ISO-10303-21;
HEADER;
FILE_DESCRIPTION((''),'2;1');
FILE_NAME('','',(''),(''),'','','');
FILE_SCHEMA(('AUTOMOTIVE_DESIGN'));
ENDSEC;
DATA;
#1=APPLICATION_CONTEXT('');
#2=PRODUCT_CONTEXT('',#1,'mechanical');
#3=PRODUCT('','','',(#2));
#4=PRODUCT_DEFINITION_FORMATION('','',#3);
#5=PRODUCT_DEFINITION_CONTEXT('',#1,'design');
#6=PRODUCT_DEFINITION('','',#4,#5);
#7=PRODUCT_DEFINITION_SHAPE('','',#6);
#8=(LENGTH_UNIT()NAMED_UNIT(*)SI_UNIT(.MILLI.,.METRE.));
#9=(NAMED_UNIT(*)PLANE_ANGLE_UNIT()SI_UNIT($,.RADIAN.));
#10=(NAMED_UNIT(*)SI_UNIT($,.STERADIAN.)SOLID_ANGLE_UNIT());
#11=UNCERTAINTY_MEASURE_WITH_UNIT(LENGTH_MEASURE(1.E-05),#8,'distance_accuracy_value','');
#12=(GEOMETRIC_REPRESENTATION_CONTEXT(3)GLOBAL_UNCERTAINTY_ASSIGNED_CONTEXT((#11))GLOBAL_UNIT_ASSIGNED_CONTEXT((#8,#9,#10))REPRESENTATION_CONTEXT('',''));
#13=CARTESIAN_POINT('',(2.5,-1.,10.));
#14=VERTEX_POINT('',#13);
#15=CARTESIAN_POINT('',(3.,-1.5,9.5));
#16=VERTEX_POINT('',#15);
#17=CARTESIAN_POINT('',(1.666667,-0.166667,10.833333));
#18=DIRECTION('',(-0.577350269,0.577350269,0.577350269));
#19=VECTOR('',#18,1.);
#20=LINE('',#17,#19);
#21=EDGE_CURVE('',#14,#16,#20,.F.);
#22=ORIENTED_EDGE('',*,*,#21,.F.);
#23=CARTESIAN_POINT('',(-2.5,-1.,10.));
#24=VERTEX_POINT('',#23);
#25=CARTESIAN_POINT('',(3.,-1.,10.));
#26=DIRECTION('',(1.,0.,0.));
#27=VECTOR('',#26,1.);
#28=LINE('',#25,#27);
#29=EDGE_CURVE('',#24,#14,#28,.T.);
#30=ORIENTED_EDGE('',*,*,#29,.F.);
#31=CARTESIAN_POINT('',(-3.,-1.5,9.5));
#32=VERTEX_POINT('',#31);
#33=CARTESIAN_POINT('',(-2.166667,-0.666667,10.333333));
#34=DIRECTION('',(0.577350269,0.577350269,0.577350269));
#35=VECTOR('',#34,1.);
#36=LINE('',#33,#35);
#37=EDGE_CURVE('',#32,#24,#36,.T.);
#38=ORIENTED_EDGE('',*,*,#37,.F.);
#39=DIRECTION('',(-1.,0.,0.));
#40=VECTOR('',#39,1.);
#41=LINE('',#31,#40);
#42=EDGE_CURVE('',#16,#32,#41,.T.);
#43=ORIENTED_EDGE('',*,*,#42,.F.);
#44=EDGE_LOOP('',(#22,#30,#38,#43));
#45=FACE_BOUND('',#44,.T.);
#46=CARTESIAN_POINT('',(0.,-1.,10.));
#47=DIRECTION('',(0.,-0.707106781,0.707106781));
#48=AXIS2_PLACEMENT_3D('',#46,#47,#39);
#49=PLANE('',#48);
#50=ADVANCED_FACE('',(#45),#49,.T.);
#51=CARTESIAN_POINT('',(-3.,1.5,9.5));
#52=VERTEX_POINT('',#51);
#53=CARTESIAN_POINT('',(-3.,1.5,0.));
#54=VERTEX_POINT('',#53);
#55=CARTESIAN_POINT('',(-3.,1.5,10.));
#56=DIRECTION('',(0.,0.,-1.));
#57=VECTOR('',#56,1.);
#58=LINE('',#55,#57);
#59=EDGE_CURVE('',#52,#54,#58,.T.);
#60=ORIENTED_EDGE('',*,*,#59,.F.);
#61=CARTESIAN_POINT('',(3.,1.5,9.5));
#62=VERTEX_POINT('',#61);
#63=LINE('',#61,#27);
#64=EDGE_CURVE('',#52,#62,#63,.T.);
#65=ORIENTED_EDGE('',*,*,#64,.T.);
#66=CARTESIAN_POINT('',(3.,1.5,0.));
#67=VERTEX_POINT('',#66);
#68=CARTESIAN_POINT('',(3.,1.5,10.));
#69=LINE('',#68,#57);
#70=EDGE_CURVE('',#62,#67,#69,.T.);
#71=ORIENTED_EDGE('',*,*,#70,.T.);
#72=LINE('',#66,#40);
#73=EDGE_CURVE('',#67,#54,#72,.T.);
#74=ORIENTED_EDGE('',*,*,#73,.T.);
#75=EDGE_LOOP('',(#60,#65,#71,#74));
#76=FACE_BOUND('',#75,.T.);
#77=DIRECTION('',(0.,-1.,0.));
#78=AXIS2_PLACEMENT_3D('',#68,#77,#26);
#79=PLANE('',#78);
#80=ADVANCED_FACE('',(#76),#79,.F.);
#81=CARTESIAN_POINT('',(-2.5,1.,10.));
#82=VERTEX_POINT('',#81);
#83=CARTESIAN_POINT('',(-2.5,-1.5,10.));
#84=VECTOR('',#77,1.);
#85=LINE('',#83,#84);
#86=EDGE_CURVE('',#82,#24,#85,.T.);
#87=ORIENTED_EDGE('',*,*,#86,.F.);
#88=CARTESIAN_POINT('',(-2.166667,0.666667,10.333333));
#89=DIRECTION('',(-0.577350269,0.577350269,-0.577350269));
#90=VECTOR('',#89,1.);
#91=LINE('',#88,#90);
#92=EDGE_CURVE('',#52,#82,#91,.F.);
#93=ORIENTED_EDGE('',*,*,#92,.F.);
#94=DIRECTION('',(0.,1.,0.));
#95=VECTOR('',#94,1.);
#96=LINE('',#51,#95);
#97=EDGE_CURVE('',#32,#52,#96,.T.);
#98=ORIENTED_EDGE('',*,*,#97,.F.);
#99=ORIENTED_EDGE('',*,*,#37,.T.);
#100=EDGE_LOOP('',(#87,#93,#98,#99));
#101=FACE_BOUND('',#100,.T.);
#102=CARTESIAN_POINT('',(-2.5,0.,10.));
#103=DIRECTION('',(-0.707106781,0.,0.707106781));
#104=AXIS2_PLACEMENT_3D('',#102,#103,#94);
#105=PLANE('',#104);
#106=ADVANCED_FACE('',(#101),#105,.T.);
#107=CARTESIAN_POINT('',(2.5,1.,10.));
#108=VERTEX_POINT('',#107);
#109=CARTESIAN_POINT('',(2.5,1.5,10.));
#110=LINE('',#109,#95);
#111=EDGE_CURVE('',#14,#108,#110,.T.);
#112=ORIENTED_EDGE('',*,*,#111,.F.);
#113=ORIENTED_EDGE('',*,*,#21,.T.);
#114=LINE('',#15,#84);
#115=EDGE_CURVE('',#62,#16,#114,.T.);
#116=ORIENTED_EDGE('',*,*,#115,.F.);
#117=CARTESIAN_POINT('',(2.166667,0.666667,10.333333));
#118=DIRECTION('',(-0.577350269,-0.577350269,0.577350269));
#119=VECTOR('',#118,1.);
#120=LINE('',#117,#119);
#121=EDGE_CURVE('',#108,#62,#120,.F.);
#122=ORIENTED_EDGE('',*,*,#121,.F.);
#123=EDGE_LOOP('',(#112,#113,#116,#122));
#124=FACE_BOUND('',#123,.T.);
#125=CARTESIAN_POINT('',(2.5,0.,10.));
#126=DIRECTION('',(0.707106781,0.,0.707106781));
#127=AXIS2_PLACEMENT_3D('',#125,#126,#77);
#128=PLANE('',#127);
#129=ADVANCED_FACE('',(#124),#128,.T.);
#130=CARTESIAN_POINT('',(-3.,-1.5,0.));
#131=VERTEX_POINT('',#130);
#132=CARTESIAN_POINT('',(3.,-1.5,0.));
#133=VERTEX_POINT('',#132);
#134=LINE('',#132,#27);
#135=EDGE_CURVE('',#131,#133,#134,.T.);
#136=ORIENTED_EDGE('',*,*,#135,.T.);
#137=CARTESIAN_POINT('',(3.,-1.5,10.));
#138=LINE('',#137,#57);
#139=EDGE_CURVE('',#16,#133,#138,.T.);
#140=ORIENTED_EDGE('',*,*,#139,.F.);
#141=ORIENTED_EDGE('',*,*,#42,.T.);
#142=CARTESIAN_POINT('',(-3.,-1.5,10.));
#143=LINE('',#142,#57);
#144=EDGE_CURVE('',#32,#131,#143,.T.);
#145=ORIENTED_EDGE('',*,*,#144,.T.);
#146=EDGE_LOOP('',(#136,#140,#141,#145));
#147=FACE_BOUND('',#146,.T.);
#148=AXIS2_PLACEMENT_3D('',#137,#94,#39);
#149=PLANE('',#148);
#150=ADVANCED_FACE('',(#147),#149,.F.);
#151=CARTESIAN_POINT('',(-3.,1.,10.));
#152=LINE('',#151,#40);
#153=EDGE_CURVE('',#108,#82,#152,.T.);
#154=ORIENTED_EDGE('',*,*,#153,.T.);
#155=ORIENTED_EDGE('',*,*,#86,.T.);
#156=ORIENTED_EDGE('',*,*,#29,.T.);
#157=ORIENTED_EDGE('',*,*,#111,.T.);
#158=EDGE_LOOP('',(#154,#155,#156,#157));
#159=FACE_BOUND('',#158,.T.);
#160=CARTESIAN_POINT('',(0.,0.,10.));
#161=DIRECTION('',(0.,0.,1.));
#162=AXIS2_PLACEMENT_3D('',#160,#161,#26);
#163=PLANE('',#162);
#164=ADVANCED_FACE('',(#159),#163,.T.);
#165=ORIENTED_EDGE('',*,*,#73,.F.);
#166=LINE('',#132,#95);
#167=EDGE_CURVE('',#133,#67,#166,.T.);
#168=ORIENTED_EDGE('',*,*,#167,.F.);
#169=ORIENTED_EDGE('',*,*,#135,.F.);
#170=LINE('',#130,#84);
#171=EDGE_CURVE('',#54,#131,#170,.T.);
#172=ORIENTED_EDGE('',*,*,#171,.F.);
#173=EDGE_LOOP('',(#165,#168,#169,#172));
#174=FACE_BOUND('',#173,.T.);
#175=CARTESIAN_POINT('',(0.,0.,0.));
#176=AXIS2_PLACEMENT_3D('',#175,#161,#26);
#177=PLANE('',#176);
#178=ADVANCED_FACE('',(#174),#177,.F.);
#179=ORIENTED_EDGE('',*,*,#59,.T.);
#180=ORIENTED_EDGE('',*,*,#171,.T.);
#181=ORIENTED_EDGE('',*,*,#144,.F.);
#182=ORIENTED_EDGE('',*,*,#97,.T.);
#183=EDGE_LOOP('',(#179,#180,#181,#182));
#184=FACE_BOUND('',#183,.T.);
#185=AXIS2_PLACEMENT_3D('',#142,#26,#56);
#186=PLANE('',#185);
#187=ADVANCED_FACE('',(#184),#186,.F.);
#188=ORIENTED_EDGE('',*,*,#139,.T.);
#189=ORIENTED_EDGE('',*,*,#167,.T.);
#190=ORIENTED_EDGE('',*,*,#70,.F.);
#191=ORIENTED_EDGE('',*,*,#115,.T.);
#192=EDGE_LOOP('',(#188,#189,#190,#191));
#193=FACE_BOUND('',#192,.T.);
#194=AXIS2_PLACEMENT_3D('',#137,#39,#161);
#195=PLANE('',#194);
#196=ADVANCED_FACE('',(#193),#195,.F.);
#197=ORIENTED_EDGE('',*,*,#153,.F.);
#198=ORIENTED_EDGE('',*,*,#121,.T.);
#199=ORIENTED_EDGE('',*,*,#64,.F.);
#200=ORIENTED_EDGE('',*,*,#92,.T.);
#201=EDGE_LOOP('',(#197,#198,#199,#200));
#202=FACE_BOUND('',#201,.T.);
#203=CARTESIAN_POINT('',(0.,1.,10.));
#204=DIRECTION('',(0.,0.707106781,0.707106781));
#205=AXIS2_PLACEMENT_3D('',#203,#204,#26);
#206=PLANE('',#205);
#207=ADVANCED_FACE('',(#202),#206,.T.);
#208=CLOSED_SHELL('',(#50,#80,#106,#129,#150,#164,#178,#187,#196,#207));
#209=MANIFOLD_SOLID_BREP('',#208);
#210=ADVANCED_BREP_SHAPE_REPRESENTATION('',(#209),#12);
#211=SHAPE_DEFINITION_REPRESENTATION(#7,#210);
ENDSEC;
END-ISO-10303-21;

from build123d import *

# Parameters (mm, degrees)
ESQUISSE1_W        = 6
ESQUISSE1_H        = 3
BOSS_EXTRU_1_DEPTH = 10
CHANFREIN1_SIZE    = 0.5


with BuildPart() as part:
    # Esquisse1 → Boss.-Extru.1 (new body)
    with BuildSketch(Plane.XY):
        Rectangle(ESQUISSE1_W, ESQUISSE1_H)
    extrude(amount=BOSS_EXTRU_1_DEPTH)

    # Chanfrein1
    chanfrein1_edges = [part.edges().sort_by_distance(p)[0] for p in [
        (3, 0, 10),
        (0, 1.5, 10),
        (-3, 0, 10),
        (0, -1.5, 10),
    ]]
    chamfer(chanfrein1_edges, length=CHANFREIN1_SIZE)


solid = part.part
